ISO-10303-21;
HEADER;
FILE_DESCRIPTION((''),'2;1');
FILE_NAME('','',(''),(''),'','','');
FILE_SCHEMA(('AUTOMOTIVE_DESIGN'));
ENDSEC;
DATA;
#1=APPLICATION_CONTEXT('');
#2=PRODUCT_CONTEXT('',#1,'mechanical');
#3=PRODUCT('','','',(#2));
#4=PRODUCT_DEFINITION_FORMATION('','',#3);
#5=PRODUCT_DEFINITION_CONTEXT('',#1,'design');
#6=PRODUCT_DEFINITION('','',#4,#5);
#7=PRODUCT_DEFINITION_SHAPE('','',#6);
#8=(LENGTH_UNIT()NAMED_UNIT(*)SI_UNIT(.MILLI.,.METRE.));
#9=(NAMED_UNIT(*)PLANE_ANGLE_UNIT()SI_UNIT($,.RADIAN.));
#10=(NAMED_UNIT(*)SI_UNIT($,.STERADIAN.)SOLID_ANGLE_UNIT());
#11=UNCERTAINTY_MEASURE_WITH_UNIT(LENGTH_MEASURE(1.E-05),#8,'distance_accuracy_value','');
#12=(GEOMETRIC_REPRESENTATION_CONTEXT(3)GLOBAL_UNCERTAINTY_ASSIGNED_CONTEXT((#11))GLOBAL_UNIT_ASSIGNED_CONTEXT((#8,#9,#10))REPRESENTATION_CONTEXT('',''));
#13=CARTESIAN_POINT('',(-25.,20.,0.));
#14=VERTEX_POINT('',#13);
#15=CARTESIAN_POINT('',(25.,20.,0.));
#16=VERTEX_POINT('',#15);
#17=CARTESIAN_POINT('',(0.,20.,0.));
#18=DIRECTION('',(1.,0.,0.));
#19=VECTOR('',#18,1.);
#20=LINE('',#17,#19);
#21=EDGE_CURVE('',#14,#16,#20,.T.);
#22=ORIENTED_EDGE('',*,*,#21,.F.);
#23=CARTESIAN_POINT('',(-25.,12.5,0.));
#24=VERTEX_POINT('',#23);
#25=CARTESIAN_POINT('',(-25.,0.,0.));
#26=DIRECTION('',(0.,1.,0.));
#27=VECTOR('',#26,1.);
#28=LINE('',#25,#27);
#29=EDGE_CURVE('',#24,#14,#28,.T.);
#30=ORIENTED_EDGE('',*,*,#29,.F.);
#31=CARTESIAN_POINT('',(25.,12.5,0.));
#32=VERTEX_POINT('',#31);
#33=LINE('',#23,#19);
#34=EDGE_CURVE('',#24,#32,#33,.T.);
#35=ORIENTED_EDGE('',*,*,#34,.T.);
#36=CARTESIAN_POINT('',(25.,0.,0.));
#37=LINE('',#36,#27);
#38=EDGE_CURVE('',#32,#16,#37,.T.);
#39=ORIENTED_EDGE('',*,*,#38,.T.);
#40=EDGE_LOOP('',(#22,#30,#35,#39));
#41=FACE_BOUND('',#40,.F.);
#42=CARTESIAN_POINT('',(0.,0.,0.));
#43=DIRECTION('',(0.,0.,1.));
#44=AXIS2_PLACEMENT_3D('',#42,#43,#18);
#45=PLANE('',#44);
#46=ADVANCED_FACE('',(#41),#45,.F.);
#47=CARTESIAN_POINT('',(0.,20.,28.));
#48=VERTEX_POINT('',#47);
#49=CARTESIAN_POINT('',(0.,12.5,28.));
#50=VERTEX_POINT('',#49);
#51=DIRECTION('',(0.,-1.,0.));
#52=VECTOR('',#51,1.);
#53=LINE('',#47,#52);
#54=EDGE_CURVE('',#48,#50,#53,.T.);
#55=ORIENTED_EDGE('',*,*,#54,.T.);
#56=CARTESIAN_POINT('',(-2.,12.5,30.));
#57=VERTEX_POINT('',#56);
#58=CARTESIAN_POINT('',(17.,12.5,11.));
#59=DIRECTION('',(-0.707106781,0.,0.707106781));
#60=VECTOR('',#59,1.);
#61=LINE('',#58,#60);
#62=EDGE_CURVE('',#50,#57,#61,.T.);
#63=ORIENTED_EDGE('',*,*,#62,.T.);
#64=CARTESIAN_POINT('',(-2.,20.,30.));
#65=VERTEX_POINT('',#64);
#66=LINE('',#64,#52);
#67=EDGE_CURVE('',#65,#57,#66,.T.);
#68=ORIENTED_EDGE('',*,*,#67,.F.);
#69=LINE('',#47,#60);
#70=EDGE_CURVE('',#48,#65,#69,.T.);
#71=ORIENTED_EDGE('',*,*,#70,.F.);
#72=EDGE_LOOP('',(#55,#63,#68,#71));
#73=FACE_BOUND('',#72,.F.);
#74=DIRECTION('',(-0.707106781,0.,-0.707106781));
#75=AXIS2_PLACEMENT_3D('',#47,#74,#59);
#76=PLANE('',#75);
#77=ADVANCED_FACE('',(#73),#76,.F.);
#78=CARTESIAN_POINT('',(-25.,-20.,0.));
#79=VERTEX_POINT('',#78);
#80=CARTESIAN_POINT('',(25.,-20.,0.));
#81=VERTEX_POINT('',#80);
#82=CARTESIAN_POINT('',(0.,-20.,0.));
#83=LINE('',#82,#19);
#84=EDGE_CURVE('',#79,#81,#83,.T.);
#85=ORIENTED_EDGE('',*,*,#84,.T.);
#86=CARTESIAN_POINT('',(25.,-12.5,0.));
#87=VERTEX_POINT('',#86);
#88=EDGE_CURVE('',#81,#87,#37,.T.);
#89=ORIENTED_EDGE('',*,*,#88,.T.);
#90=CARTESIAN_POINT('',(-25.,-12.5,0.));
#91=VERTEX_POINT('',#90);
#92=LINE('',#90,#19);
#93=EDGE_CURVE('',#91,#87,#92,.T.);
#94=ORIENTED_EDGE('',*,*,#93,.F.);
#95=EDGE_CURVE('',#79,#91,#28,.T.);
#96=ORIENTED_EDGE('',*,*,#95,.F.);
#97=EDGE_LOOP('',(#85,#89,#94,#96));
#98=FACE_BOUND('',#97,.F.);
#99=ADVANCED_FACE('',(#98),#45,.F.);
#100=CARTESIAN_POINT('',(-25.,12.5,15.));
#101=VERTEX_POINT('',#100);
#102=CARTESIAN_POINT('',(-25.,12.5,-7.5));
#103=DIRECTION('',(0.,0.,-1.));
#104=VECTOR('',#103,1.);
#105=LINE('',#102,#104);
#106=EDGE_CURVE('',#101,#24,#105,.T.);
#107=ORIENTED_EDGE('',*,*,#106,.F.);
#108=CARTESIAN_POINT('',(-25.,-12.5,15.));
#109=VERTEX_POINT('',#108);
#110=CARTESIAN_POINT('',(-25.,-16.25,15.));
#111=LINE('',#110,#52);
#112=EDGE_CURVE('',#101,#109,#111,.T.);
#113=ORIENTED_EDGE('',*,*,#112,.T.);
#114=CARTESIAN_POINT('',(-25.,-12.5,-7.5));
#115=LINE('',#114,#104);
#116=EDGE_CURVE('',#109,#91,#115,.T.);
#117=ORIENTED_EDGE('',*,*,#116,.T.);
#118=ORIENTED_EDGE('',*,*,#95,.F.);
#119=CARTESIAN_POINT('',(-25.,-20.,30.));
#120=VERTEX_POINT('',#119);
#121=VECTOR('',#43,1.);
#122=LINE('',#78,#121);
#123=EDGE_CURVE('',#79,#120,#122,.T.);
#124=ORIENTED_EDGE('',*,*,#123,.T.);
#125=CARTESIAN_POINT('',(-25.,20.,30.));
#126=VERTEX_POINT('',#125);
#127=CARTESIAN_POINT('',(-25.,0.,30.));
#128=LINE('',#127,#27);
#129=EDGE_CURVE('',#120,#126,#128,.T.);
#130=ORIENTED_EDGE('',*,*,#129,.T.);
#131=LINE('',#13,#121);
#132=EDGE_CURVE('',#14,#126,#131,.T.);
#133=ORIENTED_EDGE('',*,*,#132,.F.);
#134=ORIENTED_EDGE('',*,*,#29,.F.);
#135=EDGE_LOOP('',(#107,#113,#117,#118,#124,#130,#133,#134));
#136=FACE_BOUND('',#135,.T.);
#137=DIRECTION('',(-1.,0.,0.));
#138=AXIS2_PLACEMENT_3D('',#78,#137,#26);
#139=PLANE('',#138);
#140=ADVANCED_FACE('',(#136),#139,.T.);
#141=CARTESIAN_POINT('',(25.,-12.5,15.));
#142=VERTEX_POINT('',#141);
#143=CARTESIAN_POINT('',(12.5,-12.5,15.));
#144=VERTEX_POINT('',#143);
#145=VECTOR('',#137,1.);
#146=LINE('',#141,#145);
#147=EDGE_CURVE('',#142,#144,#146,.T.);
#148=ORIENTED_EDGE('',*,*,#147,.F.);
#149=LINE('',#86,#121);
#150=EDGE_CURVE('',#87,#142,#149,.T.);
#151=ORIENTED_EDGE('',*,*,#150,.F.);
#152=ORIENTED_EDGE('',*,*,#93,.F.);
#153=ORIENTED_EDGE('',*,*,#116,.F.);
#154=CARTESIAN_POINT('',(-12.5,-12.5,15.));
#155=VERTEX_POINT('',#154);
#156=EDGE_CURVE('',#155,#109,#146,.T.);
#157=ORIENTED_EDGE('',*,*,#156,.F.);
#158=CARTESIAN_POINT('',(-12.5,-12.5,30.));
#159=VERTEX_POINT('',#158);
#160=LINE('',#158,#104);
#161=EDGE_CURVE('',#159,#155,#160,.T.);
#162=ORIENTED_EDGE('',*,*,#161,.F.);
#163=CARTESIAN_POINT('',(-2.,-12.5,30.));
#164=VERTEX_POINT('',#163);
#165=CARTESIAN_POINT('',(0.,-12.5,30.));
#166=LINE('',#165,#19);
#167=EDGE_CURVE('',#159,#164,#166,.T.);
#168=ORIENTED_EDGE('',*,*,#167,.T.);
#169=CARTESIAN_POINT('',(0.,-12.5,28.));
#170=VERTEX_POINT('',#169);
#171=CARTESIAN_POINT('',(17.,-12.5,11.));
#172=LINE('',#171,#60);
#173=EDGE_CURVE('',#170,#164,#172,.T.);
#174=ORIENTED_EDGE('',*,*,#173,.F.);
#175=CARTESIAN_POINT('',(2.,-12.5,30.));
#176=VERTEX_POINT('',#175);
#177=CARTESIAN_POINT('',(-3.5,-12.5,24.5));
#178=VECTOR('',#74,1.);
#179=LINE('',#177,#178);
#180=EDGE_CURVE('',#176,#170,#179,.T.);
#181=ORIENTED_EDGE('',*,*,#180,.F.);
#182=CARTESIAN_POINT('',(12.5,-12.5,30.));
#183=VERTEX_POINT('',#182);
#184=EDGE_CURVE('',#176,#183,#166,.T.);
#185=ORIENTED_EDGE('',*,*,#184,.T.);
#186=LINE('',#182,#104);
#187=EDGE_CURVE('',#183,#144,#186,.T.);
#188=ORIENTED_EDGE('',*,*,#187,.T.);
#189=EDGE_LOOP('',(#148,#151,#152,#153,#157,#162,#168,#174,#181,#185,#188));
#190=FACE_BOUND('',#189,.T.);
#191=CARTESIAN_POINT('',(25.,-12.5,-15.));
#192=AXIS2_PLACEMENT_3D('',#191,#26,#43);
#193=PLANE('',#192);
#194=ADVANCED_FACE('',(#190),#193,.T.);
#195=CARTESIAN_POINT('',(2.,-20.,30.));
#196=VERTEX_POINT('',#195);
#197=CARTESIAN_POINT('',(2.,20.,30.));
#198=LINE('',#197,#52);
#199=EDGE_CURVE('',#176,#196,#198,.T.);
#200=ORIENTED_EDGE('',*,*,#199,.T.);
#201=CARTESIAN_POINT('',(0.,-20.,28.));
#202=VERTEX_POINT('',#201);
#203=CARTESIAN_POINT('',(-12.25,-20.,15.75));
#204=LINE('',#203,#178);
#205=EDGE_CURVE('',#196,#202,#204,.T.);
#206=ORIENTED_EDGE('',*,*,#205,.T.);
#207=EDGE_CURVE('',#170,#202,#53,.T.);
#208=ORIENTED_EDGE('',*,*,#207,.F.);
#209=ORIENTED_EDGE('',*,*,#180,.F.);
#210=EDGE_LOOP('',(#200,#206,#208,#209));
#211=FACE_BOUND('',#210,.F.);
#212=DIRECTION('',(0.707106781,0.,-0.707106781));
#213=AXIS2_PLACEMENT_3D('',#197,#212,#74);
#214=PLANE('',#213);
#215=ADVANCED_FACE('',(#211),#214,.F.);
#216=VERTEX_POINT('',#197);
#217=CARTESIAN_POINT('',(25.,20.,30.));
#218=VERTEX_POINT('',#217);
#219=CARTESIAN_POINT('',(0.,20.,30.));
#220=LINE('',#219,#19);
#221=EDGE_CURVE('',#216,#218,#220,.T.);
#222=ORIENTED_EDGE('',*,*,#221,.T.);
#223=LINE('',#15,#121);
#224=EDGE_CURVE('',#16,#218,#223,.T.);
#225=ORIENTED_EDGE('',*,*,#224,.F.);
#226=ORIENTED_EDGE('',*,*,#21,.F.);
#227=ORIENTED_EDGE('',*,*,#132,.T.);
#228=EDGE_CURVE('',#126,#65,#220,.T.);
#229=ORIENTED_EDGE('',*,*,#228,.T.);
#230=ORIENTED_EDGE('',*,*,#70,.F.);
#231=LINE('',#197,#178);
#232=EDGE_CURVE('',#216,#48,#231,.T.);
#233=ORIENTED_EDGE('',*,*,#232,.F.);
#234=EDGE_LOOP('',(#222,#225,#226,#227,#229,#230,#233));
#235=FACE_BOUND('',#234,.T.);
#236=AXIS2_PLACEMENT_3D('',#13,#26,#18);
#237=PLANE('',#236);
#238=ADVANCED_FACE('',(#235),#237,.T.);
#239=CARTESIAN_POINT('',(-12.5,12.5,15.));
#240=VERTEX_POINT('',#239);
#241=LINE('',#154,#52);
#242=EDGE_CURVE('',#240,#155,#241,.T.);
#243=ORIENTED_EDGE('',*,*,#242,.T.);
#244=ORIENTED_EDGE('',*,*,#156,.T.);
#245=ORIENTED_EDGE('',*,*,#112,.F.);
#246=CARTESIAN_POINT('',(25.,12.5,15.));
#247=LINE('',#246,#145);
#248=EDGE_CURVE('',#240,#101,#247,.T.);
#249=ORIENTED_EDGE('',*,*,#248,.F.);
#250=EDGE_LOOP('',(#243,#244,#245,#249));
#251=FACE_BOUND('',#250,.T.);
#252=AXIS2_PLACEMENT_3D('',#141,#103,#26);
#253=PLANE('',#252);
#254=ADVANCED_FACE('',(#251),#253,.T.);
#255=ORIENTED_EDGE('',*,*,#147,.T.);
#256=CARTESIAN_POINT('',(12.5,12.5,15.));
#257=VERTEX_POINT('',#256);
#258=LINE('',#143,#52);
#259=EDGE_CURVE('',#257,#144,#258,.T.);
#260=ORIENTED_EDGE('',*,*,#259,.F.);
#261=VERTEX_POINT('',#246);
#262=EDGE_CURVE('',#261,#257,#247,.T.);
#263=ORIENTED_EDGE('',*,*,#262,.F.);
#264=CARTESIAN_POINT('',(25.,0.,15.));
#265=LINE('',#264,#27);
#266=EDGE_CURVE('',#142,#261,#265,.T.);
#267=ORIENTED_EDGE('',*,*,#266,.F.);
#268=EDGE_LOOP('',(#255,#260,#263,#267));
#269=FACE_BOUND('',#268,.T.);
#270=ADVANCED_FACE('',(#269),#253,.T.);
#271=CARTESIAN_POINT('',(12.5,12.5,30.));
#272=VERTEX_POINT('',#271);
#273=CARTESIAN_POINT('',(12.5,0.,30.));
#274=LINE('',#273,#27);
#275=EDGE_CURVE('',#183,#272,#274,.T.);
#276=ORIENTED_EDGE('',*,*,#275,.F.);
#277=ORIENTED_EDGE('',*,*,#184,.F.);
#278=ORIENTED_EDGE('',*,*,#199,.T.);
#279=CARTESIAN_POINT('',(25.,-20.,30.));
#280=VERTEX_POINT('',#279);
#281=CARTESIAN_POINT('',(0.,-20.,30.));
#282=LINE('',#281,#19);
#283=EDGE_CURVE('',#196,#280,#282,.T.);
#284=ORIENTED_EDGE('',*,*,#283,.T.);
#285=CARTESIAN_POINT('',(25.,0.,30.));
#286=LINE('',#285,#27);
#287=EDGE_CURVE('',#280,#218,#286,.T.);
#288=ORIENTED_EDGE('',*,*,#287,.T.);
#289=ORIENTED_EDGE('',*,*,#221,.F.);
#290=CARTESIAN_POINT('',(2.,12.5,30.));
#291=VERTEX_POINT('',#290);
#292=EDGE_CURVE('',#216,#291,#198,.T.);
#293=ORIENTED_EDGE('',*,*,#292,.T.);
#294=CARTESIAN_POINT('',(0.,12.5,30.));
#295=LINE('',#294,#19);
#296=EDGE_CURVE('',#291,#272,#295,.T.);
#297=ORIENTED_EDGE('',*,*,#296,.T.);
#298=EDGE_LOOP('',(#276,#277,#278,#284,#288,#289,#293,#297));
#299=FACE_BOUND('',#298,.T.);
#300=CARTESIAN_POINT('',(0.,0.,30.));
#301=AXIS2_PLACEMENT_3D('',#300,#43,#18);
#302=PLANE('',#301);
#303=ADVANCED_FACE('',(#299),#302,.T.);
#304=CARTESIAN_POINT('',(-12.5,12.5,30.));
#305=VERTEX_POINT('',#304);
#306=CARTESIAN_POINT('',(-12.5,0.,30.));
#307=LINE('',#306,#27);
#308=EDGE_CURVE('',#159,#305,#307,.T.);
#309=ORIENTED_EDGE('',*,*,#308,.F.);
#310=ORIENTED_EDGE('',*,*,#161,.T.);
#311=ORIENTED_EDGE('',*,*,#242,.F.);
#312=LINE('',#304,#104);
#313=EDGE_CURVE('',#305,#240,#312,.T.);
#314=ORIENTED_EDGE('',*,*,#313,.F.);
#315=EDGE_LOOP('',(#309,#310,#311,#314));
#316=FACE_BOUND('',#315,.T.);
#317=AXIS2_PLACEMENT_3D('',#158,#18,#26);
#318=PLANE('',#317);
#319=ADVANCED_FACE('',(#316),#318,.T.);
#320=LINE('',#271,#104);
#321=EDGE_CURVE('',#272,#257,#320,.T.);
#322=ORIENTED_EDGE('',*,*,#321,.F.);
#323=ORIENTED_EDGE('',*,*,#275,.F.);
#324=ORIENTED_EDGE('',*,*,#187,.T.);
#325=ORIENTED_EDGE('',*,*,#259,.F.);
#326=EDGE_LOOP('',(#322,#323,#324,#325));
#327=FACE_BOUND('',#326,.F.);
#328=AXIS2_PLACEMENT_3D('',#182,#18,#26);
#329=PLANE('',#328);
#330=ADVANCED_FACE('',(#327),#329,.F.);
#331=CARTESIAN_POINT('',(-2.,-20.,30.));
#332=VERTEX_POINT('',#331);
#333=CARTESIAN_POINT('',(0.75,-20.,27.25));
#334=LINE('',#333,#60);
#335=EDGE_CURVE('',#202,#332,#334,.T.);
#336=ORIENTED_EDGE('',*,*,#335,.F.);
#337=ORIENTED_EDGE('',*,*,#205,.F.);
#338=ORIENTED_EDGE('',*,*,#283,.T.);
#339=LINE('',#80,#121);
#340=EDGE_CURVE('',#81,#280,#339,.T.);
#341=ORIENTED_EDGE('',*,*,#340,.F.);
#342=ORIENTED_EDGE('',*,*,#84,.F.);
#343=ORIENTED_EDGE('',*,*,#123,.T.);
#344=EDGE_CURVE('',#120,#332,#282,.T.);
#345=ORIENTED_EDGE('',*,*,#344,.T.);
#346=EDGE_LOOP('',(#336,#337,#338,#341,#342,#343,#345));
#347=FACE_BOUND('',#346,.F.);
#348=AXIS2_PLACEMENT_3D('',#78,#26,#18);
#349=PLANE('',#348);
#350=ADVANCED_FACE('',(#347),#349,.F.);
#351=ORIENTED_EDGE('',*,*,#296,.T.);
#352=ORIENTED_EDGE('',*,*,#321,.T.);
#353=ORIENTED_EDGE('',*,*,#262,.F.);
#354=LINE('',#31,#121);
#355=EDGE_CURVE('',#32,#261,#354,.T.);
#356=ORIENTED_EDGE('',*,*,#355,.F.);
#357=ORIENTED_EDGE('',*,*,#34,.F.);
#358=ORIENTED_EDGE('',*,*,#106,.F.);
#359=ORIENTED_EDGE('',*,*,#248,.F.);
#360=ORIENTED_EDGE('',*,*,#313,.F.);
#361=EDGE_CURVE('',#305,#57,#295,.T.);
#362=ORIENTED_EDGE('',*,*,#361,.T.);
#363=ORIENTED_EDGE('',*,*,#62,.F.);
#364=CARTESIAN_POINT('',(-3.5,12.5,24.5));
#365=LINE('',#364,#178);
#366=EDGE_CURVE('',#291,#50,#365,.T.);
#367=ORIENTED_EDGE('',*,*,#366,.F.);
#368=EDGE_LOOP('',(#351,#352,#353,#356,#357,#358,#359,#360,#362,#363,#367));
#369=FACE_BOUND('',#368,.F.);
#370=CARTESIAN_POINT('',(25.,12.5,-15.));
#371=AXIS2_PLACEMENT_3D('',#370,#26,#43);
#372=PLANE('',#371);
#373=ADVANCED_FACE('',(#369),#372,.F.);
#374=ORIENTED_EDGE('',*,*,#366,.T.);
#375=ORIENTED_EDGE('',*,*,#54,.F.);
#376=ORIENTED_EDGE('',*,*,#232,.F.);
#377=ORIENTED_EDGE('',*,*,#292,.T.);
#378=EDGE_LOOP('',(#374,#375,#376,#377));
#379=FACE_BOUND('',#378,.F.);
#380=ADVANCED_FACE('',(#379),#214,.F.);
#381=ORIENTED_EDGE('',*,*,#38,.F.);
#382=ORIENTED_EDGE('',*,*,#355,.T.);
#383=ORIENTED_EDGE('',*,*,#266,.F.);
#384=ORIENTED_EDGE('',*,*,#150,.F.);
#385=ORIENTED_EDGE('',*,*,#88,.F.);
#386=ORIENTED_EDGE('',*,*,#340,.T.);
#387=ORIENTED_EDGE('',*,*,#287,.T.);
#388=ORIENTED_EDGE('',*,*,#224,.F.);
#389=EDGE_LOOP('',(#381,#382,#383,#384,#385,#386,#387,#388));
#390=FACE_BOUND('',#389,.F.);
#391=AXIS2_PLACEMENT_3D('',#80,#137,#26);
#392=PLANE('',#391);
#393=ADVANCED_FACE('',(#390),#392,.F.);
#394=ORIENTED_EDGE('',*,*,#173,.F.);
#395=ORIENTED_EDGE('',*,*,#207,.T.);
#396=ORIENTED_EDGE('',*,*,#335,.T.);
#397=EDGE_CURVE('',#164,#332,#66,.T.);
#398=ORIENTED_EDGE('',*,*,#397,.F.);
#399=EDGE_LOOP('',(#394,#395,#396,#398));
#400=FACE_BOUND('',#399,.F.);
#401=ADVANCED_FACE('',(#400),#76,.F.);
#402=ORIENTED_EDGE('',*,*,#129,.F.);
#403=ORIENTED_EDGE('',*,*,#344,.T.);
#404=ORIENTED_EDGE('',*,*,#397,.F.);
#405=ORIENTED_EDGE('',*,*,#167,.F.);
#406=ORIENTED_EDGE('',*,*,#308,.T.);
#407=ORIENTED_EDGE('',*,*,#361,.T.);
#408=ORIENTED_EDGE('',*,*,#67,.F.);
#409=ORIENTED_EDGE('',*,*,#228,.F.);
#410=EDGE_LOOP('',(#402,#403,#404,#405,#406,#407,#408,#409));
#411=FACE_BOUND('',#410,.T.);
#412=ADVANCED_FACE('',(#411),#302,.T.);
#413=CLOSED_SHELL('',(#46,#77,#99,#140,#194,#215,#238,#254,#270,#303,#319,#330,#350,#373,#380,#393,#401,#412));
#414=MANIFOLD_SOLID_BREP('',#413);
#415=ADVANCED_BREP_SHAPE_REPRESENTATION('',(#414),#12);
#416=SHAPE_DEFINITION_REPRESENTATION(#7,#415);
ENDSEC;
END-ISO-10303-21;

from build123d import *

# Parameters (mm, degrees)
F0_W     = 50
F0_H     = 40
F1_DEPTH = 30
F2_W     = 25
F2_H     = 30
F3_DEPTH = 50.001
F4_W     = 25
F4_H     = 25
F5_DEPTH = 30.001
F7_DEPTH = 40.001


with BuildPart() as f1:
    # F0 (on Top) → F1 (new body)
    with BuildSketch(Plane.XY):
        Rectangle(F0_W, F0_H)
    extrude(amount=F1_DEPTH)

    # F2 (on face) → F3 (cut, through all)
    with BuildSketch(Plane.YZ.offset(25)):
        Rectangle(F2_W, F2_H)
    extrude(amount=-F3_DEPTH, mode=Mode.SUBTRACT)

    # F4 (on face) → F5 (cut, through all)
    with BuildSketch(Plane.XY.offset(30)):
        Rectangle(F4_W, F4_H)
    extrude(amount=-F5_DEPTH, mode=Mode.SUBTRACT)

    # F6 (on face) → F7 (cut, through all)
    with BuildSketch(Plane(origin=(0, 20, 0), x_dir=(-1, 0, 0), z_dir=(0, 1, 0))):
        Polygon((2, 30), (0, 30), (-2, 30), (0, 28), align=None)
    extrude(amount=-F7_DEPTH, mode=Mode.SUBTRACT)


solid = f1.part
